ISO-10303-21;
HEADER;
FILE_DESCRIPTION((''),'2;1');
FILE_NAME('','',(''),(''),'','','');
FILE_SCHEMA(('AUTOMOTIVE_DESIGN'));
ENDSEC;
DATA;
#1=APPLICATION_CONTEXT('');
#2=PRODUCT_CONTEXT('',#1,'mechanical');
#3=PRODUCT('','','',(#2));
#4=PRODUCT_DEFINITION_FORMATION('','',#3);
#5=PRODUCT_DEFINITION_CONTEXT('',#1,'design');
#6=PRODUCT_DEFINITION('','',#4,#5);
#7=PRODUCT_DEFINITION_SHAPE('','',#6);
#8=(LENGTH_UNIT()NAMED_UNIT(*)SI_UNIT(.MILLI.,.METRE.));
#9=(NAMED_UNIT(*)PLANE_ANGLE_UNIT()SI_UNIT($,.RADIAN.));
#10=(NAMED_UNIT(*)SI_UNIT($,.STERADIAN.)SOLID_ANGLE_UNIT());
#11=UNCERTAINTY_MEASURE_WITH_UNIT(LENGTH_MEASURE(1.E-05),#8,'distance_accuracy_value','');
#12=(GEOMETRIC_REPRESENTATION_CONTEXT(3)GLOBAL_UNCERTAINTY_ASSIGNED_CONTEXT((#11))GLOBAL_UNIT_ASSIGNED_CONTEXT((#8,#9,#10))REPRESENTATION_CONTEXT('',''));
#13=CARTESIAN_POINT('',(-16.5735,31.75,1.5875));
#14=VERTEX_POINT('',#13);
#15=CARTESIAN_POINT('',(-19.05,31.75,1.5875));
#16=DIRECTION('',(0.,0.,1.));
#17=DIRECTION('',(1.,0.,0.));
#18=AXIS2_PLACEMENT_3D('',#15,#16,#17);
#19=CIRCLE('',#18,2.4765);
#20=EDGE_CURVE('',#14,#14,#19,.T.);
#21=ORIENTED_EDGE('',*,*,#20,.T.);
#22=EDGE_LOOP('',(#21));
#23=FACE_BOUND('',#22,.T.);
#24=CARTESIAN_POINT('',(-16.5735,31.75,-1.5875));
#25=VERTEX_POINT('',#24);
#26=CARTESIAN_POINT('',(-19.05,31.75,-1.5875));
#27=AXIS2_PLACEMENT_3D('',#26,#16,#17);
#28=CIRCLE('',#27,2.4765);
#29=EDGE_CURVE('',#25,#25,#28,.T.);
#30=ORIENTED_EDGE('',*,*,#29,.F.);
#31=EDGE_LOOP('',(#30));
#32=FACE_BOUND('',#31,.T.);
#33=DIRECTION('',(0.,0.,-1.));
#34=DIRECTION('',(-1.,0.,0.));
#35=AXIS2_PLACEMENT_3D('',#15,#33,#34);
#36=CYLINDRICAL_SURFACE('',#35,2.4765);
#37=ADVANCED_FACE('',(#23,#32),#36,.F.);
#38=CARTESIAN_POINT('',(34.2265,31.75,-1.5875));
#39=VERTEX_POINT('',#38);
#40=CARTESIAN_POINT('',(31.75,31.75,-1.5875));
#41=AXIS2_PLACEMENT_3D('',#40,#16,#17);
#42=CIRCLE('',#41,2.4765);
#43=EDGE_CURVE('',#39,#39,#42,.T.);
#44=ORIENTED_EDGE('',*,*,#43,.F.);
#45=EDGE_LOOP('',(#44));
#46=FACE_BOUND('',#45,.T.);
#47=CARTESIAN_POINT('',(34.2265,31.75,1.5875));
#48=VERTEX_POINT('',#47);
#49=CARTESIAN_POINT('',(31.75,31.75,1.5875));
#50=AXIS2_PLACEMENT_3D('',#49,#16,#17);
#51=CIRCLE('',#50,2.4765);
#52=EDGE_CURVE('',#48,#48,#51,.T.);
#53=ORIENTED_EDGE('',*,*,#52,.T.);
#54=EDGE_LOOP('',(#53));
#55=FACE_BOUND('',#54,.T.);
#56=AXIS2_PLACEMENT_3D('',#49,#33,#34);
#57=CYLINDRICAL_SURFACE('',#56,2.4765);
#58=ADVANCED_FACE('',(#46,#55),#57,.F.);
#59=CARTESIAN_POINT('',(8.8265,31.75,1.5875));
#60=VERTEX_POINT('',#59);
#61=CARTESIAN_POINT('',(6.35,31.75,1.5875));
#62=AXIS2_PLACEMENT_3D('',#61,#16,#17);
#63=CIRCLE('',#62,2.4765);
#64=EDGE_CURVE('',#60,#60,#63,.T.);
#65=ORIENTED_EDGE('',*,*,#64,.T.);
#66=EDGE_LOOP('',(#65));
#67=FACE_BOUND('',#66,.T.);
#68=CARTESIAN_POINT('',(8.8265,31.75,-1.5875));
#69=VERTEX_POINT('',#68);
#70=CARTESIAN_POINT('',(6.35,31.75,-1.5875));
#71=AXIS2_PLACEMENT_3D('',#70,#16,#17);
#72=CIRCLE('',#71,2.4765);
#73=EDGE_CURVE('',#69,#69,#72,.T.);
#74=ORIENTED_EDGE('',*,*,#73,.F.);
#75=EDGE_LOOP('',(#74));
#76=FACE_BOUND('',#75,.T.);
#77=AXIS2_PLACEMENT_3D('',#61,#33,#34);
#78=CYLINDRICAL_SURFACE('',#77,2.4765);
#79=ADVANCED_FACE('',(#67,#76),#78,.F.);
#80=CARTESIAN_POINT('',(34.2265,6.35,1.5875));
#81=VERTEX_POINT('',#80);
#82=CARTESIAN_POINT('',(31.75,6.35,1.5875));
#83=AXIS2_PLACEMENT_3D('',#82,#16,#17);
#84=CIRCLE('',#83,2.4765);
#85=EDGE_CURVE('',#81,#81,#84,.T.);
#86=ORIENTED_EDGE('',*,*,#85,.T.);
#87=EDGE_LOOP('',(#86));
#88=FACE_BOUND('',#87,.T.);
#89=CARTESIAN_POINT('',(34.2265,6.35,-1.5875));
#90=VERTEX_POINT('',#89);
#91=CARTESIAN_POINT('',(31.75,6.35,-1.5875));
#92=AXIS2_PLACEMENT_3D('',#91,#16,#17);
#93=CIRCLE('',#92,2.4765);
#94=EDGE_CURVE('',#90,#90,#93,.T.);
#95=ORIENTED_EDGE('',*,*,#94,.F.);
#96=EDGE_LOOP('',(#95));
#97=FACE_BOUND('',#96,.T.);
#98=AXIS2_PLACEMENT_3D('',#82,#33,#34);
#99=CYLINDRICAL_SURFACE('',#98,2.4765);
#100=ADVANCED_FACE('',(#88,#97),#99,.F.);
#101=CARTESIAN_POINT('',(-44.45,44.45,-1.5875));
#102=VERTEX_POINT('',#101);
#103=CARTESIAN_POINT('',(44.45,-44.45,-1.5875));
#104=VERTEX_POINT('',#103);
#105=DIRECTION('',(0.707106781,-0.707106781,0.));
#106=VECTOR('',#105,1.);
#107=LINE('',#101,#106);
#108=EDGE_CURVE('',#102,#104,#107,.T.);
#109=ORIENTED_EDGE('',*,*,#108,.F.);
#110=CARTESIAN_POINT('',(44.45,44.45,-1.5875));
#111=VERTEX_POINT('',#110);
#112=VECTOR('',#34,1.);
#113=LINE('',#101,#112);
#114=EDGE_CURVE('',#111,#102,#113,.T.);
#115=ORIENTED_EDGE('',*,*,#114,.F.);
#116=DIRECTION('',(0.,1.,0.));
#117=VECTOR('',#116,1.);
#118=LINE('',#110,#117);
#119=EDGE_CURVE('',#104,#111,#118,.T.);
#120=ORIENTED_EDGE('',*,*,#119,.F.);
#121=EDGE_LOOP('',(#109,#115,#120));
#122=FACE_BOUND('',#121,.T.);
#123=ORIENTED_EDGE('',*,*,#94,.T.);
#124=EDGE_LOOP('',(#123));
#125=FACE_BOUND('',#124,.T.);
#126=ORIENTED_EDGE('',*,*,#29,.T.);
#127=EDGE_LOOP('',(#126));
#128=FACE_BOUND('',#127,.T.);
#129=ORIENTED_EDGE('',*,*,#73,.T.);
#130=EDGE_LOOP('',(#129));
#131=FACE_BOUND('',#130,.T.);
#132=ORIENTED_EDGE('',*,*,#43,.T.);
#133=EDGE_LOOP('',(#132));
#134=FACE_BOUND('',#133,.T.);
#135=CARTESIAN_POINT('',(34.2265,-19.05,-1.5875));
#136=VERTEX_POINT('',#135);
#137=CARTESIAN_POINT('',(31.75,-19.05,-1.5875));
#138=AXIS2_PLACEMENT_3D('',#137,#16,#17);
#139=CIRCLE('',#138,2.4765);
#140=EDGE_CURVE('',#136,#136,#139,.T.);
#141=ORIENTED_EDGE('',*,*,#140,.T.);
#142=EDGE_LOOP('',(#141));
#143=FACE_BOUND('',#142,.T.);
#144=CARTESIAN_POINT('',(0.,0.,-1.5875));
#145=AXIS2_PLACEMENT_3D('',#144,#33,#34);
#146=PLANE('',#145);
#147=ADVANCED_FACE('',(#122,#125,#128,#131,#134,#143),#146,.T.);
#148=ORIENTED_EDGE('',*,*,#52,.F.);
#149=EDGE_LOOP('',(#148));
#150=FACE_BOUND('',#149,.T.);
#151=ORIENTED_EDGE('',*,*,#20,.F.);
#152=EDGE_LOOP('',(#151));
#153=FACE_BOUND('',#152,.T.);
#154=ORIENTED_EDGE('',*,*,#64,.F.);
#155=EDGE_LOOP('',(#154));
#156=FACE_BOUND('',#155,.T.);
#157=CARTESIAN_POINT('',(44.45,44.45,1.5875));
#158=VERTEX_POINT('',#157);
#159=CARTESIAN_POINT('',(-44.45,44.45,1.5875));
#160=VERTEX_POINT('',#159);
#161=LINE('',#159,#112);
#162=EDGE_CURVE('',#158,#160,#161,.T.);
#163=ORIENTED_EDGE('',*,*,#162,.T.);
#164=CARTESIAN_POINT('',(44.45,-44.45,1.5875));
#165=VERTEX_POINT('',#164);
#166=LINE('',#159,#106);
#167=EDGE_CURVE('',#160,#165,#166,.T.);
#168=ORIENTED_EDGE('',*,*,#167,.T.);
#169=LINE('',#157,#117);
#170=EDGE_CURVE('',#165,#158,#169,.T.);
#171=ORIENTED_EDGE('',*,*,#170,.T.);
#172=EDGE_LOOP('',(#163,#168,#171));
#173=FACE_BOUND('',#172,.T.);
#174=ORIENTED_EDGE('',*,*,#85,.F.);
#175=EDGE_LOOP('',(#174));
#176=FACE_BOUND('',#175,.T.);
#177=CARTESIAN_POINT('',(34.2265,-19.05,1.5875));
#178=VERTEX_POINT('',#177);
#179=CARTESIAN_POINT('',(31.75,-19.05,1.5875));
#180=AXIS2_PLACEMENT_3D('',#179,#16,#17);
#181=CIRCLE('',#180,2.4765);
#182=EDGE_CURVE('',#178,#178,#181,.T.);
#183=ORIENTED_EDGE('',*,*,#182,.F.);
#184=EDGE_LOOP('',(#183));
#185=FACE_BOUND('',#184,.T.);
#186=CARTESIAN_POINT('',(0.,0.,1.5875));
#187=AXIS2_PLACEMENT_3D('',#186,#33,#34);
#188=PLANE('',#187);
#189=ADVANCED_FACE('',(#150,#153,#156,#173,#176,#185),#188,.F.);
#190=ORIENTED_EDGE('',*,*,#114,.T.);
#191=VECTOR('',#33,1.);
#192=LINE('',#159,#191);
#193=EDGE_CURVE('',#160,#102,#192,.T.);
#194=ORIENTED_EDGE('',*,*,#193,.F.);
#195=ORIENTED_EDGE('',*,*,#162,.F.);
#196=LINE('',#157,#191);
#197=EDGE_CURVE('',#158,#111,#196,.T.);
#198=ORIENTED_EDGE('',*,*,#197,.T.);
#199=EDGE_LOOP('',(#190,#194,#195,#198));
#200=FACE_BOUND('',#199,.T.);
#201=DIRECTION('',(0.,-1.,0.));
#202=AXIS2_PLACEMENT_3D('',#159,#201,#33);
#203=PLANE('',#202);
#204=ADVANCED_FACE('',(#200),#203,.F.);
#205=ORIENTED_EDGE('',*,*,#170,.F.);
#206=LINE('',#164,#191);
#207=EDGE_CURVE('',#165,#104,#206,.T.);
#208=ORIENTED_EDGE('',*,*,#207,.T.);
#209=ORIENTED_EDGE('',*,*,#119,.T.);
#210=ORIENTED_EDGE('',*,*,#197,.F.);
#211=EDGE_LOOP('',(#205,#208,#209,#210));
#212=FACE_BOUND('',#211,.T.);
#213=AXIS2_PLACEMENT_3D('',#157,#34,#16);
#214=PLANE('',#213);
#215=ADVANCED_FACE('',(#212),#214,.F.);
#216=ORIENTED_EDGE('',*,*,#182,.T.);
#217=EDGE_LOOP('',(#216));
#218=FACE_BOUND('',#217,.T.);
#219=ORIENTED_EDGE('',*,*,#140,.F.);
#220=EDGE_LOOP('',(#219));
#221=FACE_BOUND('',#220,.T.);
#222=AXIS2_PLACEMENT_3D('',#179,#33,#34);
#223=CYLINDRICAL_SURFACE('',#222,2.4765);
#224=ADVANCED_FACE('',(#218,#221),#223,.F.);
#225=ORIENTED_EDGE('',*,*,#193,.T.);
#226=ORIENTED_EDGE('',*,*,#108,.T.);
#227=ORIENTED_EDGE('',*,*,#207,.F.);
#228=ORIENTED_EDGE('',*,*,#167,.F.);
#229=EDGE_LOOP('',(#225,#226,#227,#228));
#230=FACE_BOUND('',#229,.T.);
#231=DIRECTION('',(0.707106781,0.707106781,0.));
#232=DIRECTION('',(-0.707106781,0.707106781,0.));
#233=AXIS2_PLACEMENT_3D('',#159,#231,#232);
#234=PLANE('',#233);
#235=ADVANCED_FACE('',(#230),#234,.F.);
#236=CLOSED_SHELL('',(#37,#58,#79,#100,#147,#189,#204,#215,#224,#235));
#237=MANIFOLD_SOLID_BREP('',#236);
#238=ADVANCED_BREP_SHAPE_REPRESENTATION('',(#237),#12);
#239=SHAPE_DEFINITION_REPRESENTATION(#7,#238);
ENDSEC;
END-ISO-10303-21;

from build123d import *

# Parameters (mm, degrees)
SKETCH1_R           = 2.4765
BOSS_EXTRUDE1_DEPTH = 1.5875


with BuildPart() as part:
    # Sketch1 → Boss-Extrude1 (new body, symmetric)
    with BuildSketch(Plane.XY):
        Polygon((-44.45, 44.45), (44.45, 44.45), (44.45, -44.45), align=None)
        with Locations((6.35, 31.75)):
            Circle(SKETCH1_R, mode=Mode.SUBTRACT)
        with Locations((31.75, 31.75)):
            Circle(SKETCH1_R, mode=Mode.SUBTRACT)
        with Locations((31.75, 6.35)):
            Circle(SKETCH1_R, mode=Mode.SUBTRACT)
        with Locations((31.75, -19.05)):
            Circle(SKETCH1_R, mode=Mode.SUBTRACT)
        with Locations((-19.05, 31.75)):
            Circle(SKETCH1_R, mode=Mode.SUBTRACT)
    extrude(amount=BOSS_EXTRUDE1_DEPTH, both=True)


solid = part.part
